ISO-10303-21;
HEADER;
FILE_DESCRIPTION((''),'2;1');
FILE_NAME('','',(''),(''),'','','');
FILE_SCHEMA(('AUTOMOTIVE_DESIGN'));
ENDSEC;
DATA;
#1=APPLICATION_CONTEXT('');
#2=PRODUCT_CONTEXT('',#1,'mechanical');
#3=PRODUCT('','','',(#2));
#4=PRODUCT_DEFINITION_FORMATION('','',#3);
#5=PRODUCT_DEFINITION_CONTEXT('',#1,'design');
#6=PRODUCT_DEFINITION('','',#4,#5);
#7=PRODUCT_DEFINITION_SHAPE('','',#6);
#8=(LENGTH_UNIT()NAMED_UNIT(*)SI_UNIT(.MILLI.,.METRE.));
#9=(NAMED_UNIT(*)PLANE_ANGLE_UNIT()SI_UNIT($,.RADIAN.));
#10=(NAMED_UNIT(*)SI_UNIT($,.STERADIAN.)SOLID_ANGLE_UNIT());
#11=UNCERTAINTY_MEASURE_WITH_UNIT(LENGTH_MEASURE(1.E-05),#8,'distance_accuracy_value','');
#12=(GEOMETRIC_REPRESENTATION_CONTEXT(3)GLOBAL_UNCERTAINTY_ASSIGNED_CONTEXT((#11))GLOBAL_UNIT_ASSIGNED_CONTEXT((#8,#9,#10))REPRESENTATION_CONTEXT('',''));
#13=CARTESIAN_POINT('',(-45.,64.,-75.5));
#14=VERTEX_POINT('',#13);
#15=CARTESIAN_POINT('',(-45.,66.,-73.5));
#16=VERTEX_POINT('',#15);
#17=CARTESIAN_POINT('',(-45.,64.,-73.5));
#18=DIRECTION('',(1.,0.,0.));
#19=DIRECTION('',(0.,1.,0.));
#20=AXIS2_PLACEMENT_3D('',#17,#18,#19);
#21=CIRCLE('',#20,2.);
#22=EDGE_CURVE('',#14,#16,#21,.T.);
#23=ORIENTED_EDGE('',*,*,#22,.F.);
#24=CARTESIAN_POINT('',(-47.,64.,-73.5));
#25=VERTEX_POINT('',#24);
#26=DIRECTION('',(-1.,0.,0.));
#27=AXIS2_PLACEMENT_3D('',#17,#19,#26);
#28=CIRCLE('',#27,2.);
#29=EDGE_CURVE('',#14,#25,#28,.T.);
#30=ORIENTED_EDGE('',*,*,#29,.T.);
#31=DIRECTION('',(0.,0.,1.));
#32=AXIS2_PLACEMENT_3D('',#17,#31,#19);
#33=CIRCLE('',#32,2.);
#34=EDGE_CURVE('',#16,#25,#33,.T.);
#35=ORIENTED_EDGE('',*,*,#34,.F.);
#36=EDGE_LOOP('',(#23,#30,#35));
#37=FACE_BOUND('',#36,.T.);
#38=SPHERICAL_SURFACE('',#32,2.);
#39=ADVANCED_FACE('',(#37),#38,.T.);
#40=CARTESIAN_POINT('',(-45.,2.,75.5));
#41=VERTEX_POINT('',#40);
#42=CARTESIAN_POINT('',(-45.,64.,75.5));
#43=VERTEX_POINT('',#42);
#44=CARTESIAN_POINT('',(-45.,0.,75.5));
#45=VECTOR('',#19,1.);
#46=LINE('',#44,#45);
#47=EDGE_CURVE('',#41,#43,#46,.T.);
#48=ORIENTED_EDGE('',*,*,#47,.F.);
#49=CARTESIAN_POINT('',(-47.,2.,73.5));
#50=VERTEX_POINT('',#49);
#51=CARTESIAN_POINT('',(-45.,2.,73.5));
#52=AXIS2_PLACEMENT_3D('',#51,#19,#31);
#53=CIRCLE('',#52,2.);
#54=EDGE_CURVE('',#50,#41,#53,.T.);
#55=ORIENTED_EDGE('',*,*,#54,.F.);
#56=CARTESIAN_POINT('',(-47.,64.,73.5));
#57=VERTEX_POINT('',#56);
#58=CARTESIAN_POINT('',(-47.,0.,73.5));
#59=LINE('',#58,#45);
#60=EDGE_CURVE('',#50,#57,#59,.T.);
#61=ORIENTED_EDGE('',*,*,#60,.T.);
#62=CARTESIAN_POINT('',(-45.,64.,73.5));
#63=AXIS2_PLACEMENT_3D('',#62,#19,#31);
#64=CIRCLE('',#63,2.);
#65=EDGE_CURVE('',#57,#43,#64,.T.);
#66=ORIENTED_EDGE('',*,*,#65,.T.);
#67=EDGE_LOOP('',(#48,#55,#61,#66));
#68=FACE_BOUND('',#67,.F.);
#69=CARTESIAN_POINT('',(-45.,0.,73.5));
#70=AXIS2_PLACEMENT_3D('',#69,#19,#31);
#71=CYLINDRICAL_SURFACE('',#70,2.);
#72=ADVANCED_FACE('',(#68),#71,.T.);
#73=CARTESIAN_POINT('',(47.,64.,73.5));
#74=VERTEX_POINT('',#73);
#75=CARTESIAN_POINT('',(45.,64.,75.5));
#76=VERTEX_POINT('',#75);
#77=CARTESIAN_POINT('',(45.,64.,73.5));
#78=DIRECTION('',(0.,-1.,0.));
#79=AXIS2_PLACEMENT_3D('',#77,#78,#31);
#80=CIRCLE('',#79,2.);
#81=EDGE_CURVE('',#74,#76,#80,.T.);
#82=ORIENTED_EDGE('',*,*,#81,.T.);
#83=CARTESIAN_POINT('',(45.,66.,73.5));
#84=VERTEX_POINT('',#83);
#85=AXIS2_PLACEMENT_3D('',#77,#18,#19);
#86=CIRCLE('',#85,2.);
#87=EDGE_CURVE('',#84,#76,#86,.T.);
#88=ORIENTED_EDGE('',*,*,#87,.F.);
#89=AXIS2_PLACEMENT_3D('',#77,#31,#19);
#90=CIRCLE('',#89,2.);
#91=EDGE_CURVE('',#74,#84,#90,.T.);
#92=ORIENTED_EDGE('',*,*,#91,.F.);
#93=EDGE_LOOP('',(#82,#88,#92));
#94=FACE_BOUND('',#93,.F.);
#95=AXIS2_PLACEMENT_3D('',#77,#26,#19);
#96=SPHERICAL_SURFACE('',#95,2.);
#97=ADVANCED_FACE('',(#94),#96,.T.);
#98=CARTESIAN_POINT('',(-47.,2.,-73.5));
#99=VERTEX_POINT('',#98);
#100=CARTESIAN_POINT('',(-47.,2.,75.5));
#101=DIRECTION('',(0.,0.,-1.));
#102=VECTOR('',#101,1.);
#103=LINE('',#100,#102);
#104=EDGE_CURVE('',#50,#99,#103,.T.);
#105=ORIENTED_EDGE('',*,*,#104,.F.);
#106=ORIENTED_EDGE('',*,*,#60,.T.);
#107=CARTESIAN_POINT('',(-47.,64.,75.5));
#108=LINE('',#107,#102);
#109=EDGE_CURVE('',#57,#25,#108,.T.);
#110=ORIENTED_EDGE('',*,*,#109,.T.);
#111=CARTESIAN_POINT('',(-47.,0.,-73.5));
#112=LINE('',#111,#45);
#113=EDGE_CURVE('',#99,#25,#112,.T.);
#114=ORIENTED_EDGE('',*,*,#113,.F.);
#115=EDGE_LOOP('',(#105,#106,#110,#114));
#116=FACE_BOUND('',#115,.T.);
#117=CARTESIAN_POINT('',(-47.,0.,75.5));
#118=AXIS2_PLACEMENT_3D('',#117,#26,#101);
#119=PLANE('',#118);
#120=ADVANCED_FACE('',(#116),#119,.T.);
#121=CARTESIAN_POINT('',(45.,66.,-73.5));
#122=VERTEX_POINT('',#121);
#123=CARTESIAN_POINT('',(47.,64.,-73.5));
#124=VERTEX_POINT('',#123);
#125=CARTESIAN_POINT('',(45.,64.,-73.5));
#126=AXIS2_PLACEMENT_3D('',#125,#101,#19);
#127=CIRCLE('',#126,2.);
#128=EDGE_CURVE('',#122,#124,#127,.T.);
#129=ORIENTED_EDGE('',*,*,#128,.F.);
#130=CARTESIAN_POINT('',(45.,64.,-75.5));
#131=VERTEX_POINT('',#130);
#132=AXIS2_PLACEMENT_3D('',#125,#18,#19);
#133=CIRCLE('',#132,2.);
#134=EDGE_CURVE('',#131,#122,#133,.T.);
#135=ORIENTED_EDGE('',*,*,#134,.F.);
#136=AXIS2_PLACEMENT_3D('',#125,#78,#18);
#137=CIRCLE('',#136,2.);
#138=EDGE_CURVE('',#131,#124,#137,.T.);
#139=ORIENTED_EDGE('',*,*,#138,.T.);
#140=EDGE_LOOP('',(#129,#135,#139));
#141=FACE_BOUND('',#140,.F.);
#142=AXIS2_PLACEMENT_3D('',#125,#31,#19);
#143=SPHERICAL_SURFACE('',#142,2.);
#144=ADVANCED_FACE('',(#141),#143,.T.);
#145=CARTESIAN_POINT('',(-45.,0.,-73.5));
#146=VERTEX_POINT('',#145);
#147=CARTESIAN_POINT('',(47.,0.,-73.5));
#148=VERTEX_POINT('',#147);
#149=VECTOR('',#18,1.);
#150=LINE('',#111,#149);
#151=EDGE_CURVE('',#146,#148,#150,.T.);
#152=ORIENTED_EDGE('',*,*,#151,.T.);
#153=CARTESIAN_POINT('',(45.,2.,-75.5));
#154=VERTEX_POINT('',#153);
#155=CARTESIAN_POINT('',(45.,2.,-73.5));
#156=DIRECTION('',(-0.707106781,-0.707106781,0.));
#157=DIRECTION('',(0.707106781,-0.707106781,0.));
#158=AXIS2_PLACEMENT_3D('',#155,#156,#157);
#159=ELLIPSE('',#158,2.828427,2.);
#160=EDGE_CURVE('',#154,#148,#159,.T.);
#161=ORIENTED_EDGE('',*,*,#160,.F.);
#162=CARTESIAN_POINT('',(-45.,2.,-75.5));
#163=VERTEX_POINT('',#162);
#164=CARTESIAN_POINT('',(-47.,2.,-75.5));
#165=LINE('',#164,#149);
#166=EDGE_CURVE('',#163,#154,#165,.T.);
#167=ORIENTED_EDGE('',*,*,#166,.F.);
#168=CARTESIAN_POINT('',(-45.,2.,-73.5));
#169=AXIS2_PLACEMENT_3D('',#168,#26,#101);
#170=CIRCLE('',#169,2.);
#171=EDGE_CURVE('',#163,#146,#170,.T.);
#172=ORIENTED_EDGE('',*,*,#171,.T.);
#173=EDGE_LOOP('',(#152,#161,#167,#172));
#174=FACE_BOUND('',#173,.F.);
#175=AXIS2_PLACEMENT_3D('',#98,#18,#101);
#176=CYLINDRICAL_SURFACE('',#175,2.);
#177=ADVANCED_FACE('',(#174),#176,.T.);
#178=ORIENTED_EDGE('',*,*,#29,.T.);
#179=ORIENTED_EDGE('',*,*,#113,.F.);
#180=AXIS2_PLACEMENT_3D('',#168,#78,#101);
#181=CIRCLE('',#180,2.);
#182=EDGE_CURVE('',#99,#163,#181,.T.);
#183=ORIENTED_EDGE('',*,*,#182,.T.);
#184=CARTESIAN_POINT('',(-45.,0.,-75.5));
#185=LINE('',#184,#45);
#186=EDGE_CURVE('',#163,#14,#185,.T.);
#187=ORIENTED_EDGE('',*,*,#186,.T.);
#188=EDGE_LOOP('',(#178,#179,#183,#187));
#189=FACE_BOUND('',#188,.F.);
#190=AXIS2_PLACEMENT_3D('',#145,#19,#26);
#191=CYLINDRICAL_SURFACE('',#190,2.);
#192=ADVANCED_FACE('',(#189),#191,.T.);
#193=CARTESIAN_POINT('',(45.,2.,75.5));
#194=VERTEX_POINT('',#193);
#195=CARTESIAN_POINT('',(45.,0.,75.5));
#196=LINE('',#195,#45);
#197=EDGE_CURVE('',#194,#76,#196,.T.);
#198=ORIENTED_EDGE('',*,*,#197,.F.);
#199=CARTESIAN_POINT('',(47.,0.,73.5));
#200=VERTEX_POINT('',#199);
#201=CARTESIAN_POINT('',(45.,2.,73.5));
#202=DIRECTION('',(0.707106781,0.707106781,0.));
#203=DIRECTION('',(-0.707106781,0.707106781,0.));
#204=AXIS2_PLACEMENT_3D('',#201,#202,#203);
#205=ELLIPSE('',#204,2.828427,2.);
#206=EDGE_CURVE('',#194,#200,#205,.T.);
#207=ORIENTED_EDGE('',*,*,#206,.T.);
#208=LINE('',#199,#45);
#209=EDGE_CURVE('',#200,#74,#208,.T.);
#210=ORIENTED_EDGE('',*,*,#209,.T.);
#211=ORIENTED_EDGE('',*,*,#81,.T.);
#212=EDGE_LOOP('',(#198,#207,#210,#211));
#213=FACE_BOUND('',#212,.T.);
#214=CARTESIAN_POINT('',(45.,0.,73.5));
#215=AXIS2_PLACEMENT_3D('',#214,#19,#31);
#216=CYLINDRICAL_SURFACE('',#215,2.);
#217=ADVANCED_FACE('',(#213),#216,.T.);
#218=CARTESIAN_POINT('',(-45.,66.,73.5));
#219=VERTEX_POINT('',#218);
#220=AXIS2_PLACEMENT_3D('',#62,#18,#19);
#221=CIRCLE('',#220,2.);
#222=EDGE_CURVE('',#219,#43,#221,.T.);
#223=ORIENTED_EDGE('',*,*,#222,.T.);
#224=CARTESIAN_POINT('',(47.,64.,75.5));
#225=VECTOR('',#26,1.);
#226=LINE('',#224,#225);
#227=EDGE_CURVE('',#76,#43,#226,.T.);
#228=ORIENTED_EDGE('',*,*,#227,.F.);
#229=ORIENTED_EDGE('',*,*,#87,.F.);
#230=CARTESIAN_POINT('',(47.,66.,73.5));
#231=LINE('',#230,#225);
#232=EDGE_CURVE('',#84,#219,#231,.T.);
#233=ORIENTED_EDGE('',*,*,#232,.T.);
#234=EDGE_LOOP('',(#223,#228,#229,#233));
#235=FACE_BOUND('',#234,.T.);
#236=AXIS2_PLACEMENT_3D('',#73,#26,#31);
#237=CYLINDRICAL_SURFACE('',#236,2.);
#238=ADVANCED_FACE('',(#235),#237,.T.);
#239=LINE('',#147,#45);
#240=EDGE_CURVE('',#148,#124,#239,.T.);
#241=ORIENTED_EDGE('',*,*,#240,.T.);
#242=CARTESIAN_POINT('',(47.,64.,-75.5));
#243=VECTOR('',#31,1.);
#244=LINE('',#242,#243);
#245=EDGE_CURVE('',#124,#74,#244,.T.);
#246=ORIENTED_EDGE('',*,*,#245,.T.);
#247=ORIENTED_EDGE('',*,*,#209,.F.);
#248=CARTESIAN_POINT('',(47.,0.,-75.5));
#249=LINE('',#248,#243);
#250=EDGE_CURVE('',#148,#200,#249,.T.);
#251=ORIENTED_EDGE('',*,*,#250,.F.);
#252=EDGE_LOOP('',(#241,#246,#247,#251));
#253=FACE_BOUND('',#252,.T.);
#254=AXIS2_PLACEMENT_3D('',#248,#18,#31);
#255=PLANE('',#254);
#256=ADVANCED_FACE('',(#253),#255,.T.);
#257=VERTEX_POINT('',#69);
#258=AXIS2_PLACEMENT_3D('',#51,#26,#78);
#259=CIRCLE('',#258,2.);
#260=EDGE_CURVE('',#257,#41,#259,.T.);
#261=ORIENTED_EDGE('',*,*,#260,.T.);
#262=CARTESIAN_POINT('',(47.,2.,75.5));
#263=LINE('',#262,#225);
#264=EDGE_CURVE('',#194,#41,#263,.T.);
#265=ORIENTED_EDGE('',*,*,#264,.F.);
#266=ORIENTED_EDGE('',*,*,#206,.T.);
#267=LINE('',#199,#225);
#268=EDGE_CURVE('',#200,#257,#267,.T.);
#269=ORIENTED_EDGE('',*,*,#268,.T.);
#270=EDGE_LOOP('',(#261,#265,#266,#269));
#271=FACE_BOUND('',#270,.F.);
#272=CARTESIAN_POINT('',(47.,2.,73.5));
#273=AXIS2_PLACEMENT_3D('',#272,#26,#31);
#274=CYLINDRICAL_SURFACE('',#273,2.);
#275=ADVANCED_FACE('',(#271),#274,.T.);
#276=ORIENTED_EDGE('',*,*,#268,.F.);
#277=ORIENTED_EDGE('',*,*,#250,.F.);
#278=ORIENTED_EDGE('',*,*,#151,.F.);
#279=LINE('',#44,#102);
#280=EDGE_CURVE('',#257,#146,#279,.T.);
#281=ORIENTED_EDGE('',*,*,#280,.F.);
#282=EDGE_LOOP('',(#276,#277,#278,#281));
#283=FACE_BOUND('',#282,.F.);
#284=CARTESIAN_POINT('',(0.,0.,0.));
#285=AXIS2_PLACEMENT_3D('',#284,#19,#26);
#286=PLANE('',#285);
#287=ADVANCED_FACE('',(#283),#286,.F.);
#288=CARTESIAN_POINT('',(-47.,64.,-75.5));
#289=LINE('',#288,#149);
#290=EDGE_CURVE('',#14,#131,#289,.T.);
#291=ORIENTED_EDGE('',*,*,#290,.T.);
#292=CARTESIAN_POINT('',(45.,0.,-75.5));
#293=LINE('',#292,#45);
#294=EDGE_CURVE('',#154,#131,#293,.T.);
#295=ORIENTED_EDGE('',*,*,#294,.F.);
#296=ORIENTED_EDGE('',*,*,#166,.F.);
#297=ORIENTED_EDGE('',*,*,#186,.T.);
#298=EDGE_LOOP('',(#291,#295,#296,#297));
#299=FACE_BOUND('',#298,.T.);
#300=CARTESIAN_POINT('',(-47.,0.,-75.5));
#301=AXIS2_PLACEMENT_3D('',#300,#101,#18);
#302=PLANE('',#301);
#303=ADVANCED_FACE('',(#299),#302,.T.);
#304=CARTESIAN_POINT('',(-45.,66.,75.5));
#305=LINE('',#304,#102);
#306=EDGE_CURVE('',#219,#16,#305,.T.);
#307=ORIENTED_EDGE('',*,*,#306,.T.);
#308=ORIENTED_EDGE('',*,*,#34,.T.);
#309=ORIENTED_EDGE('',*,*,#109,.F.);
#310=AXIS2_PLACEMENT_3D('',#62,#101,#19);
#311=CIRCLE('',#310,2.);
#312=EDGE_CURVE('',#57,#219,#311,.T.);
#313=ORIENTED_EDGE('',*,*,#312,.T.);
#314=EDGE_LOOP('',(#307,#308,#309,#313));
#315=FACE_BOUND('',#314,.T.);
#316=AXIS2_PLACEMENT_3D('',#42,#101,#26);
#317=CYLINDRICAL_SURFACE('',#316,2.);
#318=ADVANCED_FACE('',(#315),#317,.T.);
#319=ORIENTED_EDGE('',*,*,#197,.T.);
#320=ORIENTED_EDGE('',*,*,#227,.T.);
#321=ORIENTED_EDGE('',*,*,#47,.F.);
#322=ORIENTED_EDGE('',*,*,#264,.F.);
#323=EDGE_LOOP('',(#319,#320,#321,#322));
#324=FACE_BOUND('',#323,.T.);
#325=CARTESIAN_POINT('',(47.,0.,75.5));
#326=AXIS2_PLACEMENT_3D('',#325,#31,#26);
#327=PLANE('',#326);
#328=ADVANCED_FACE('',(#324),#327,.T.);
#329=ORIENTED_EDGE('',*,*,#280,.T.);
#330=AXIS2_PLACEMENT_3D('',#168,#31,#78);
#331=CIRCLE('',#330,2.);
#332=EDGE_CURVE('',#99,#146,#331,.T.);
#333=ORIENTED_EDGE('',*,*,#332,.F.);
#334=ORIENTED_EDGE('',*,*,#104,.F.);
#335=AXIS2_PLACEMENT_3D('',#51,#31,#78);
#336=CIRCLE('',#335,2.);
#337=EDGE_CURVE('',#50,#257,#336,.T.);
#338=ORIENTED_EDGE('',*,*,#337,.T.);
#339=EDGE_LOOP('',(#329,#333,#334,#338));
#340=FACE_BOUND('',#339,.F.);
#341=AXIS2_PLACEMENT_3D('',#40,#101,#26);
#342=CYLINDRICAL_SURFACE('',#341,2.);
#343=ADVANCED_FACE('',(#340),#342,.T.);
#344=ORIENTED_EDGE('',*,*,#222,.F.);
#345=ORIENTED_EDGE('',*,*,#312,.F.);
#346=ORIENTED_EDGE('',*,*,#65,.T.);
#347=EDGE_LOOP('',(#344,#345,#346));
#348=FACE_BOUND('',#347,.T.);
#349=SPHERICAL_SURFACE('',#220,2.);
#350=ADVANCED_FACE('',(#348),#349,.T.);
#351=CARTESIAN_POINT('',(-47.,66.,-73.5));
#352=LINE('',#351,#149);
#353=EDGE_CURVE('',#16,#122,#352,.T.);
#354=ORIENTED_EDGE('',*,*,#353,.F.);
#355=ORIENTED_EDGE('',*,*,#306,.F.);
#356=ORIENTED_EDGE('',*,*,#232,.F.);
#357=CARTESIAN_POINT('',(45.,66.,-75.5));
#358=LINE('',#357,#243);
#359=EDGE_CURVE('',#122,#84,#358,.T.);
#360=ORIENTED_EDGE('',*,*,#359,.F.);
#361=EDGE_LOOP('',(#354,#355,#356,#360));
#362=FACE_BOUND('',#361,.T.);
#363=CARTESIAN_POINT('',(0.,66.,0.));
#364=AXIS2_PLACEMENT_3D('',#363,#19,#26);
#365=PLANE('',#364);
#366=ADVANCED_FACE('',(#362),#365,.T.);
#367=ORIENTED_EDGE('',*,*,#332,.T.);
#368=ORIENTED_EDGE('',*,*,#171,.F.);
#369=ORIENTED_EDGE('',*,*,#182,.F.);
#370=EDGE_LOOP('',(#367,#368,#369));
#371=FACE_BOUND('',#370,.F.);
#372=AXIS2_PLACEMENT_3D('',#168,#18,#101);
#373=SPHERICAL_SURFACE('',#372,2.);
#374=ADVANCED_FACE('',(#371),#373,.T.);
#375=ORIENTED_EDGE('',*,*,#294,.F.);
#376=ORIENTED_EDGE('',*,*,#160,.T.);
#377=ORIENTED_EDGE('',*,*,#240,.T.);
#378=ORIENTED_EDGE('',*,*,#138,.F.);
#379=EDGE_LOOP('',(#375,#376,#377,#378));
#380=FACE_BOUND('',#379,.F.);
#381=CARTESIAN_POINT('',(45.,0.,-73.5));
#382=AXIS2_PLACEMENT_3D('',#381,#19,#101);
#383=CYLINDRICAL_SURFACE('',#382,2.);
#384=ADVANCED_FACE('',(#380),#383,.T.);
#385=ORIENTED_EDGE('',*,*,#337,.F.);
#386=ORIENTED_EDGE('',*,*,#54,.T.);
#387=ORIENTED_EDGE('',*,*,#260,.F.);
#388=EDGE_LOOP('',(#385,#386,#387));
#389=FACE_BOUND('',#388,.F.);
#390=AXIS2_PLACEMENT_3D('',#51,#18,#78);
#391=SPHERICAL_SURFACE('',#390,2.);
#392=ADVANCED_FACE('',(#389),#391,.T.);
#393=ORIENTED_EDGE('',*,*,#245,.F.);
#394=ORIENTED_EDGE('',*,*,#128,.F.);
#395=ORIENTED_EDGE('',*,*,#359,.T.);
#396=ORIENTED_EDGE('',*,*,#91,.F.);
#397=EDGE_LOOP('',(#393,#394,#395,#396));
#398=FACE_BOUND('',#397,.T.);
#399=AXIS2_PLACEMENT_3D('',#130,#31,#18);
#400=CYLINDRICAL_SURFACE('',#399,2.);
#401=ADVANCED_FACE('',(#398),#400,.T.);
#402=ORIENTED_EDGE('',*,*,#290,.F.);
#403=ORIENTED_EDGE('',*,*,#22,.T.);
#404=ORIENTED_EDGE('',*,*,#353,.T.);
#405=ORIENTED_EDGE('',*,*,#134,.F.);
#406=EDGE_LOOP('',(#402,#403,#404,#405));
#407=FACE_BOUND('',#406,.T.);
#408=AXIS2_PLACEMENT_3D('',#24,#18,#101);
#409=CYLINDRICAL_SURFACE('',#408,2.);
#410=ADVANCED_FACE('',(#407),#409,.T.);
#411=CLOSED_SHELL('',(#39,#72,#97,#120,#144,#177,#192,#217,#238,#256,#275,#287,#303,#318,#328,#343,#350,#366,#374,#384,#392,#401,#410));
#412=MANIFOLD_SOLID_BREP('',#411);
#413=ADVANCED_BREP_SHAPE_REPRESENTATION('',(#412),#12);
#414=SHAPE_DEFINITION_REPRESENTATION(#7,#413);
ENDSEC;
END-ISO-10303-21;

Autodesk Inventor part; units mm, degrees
ref_plane "YZ Plane" through (0, 0, 0) normal (1, 0, 0) x (0, 1, 0)
ref_plane "XZ Plane" through (0, 0, 0) normal (0, 1, 0) x (-1, 0, 0)
ref_plane "XY Plane" through (0, 0, 0) normal (0, 0, 1) x (1, 0, 0)
sketch "Sketch1" plane through (0, 0, 0) normal (0, 1, 0) x (-1, 0, 0)
  line L0 (-47, 75.5) -> (47, 75.5)
  line L1 (47, 75.5) -> (47, -75.5)
  line L2 (47, -75.5) -> (-47, -75.5)
  line L3 (-47, -75.5) -> (-47, 75.5)
  line L4 (-47, 75.5) -> (47, -75.5) construction
  line L5 (47, 75.5) -> (-47, -75.5) construction
  point P0 (0, 0)
  dimension "d0" = 94
  dimension "d1" = 151
extrude "Extrusion1" add sketch "Sketch1" along normal blind 66
fillet "Fillet1" radius 2 11 edges at (0, 66, 75.5) (47, 66, 0) (0, 0, 75.5) (-47, 66, 0) (0, 66, -75.5) (0, 0, -75.5) (-47, 33, -75.5) (-47, 0, 0) (-47, 33, 75.5) (47, 33, -75.5) (47, 33, 75.5)
properties part number "Battery"
